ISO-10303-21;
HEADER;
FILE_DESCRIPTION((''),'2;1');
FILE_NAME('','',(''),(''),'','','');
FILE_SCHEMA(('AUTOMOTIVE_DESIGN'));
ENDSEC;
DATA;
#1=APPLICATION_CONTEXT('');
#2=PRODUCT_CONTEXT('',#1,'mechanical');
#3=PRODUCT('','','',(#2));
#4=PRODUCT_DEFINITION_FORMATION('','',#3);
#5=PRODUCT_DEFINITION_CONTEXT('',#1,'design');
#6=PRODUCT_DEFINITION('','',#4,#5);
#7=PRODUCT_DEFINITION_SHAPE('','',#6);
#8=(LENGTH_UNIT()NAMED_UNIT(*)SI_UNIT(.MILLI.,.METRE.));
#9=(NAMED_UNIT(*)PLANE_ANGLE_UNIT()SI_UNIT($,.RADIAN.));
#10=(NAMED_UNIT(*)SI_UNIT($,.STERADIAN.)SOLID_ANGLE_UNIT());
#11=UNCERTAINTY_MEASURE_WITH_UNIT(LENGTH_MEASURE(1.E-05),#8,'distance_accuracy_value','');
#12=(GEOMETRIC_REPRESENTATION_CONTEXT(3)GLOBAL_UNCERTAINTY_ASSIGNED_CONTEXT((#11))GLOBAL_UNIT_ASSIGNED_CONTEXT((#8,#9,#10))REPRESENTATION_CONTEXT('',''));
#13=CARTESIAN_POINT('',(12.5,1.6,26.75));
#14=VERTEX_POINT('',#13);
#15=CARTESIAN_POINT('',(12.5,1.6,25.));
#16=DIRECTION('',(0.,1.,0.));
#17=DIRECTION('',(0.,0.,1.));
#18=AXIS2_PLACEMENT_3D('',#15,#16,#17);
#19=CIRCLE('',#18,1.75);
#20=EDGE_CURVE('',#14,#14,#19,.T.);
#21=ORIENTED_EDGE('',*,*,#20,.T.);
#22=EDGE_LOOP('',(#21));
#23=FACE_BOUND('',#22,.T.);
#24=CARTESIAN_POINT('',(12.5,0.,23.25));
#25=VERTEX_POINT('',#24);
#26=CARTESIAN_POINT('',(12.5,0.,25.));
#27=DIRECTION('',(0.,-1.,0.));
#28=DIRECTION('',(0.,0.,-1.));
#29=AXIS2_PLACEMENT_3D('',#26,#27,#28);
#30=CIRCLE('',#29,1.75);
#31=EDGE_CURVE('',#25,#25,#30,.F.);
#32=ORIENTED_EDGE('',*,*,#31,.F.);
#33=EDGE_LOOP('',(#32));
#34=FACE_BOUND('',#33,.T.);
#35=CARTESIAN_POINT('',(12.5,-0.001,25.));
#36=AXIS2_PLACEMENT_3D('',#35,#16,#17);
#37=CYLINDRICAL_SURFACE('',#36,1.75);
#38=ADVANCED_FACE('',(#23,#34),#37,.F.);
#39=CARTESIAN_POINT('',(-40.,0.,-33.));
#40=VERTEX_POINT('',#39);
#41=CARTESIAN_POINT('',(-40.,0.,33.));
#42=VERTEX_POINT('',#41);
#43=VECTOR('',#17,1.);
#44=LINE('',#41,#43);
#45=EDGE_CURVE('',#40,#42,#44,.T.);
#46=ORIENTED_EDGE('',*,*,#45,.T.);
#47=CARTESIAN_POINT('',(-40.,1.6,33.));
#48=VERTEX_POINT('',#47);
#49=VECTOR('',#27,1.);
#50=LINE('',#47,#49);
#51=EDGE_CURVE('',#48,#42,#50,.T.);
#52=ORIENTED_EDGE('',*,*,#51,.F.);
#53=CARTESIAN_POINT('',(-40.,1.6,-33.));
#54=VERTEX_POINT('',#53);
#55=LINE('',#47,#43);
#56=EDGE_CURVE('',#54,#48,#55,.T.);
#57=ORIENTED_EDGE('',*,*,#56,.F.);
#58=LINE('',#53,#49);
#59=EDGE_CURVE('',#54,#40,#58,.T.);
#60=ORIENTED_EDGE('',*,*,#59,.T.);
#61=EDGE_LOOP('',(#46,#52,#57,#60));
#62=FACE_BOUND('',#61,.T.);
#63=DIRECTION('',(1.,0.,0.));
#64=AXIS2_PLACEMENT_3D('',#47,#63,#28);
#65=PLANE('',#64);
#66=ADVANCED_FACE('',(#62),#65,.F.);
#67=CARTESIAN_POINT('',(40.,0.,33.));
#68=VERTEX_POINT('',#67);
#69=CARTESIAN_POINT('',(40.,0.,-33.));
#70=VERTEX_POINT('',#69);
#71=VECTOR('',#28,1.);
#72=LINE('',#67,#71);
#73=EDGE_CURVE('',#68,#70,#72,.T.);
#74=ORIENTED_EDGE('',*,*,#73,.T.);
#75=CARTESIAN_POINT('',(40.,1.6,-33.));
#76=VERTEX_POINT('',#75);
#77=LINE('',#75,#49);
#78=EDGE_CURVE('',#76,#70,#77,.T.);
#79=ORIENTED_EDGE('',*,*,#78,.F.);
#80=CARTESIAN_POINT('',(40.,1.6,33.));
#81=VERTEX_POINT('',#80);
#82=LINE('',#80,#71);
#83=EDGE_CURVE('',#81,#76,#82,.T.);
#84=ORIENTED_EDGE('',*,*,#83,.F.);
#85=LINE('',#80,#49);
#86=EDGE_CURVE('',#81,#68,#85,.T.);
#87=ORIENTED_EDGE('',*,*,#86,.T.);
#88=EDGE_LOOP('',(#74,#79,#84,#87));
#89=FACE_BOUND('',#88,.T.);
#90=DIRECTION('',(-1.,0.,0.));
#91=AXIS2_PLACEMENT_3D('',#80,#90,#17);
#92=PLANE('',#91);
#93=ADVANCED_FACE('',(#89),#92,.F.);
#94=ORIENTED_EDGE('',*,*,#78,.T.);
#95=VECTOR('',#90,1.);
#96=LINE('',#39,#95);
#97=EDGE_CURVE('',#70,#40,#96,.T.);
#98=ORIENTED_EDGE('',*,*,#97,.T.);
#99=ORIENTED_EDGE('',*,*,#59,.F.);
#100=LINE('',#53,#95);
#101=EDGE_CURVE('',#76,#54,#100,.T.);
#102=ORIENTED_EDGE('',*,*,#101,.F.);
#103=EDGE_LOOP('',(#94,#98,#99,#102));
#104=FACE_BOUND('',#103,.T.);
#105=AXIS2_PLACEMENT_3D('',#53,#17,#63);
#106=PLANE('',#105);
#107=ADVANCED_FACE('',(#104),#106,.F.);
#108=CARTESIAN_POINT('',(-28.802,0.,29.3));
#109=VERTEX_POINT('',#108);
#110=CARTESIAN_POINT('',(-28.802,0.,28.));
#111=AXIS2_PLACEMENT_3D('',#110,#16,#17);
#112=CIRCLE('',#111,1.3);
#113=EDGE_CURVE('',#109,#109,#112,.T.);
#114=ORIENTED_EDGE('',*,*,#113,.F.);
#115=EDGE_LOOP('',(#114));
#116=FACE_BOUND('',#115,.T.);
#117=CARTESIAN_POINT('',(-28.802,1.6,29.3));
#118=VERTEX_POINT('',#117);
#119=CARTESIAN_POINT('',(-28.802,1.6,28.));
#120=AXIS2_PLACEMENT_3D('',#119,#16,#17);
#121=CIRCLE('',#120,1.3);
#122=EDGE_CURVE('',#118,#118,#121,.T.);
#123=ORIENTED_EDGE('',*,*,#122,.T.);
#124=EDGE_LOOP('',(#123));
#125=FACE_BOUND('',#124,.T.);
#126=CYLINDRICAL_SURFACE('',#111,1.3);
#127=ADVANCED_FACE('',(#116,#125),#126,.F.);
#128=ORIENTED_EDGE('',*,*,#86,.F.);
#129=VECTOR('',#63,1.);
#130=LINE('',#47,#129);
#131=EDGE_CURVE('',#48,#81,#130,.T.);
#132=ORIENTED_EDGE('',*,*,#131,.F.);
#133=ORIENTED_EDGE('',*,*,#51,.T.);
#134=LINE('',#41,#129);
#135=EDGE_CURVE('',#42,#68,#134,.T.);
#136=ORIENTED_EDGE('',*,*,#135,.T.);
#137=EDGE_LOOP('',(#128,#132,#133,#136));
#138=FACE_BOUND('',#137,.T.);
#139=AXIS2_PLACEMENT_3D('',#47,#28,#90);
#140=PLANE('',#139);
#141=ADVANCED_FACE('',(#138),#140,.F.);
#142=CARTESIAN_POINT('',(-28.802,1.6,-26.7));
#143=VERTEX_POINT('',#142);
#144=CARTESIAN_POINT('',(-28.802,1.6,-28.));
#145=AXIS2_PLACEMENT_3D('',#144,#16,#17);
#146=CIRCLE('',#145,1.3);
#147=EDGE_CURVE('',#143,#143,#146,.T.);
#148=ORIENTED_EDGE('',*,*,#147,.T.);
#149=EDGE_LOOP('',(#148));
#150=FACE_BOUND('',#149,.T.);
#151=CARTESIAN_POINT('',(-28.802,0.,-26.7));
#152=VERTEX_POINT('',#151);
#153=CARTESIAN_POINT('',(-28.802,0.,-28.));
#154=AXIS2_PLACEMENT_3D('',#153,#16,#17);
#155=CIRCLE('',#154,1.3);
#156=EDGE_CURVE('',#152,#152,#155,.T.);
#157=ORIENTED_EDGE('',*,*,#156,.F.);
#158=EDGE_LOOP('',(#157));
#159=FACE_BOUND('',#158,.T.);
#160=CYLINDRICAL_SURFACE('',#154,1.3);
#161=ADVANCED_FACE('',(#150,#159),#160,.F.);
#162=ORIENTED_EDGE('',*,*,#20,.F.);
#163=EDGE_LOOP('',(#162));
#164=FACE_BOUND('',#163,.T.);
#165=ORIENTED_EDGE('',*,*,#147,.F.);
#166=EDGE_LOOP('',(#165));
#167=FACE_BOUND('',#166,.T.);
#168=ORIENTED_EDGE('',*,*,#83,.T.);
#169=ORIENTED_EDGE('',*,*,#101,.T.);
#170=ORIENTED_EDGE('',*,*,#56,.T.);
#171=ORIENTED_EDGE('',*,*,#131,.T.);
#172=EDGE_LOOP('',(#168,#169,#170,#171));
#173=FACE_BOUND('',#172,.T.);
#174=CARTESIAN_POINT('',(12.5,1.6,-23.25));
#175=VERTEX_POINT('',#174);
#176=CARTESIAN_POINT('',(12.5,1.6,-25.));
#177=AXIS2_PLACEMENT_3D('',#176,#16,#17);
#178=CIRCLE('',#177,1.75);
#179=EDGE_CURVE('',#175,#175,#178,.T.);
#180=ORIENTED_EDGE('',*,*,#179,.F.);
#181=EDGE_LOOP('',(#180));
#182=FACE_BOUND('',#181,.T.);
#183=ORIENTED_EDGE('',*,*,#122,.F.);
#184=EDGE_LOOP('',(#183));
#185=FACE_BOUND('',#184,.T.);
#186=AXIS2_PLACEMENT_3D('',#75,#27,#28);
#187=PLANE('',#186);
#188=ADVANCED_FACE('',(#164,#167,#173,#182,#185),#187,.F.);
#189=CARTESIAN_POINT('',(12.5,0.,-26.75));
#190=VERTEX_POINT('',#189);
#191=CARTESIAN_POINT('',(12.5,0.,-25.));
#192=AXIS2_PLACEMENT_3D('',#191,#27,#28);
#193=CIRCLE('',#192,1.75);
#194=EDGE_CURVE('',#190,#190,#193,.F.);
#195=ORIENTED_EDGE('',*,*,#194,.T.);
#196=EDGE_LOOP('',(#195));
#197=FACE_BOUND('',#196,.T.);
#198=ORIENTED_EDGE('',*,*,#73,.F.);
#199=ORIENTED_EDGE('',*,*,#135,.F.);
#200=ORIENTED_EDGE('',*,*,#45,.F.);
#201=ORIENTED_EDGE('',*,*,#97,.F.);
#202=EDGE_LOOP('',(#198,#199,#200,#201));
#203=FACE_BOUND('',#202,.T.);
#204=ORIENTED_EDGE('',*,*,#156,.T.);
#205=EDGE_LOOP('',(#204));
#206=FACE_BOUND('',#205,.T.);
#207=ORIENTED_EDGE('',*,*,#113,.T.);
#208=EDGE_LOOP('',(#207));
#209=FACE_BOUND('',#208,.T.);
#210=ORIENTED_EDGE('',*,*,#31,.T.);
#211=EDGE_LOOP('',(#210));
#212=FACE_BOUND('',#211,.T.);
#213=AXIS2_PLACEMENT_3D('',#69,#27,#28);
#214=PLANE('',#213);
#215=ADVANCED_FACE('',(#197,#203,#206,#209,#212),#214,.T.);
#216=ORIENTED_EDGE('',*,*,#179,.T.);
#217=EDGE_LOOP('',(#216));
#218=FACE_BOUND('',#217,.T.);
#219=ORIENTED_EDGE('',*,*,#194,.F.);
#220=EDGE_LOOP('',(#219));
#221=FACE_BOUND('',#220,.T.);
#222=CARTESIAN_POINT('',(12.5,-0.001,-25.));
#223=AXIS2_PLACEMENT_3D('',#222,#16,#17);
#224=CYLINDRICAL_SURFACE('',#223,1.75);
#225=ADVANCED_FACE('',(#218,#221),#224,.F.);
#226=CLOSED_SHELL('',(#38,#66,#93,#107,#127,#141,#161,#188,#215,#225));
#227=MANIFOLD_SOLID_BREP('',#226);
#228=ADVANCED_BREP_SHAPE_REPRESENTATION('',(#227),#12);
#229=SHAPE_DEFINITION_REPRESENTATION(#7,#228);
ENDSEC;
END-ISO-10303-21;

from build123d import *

# Parameters (mm, degrees)
SKETCH1_W           = 80
SKETCH1_H           = 66
BOSS_EXTRUDE1_DEPTH = 1.6
SKETCH2_R           = 1.3
CUT_EXTRUDE1_DEPTH  = 1.6
CUT_EXTRUDE2_REACH  = 53.88
SKETCH4_R           = 1.75


with BuildPart() as part:
    # Sketch1 → Boss-Extrude1 (new body)
    with BuildSketch(Plane(origin=(0, 0, 0), x_dir=(1, 0, 0), z_dir=(0, 1, 0))):
        Rectangle(SKETCH1_W, SKETCH1_H)
    extrude(amount=BOSS_EXTRUDE1_DEPTH)

    # Sketch2 → Cut-Extrude1 (cut)
    with BuildSketch(Plane(origin=(0, 1.6, 0), x_dir=(1, 0, 0), z_dir=(0, 1, 0))):
        with Locations(Location((-28.802, 28, 0), (0, 0, 270))):
            Circle(SKETCH2_R)
        with Locations(Location((-28.802, -28, 0), (0, 0, 270))):
            Circle(SKETCH2_R)
    extrude(amount=-CUT_EXTRUDE1_DEPTH, mode=Mode.SUBTRACT)

    # Sketch4 → Cut-Extrude2 (cut, up to next)
    with BuildSketch(Plane(origin=(0, 1.6, 0), x_dir=(1, 0, 0), z_dir=(0, 1, 0)), mode=Mode.PRIVATE) as cut_extrude2_sk1:
        with Locations(Location((12.5, 25, 0), (0, 0, 270))):
            Circle(SKETCH4_R)
    cut_extrude2_tool1 = extrude(cut_extrude2_sk1.sketch, amount=-CUT_EXTRUDE2_REACH, mode=Mode.PRIVATE) & part.part
    # Sketch4 → Cut-Extrude2 (cut, up to next)
    with BuildSketch(Plane(origin=(0, 1.6, 0), x_dir=(1, 0, 0), z_dir=(0, 1, 0)), mode=Mode.PRIVATE) as cut_extrude2_sk2:
        with Locations(Location((12.5, -25, 0), (0, 0, 270))):
            Circle(SKETCH4_R)
    cut_extrude2_tool2 = extrude(cut_extrude2_sk2.sketch, amount=-CUT_EXTRUDE2_REACH, mode=Mode.PRIVATE) & part.part
    add(cut_extrude2_tool1.solids().sort_by_distance((12.5, 1.6, -25))[0], mode=Mode.SUBTRACT)
    add(cut_extrude2_tool2.solids().sort_by_distance((12.5, 1.6, 25))[0], mode=Mode.SUBTRACT)


solid = part.part
